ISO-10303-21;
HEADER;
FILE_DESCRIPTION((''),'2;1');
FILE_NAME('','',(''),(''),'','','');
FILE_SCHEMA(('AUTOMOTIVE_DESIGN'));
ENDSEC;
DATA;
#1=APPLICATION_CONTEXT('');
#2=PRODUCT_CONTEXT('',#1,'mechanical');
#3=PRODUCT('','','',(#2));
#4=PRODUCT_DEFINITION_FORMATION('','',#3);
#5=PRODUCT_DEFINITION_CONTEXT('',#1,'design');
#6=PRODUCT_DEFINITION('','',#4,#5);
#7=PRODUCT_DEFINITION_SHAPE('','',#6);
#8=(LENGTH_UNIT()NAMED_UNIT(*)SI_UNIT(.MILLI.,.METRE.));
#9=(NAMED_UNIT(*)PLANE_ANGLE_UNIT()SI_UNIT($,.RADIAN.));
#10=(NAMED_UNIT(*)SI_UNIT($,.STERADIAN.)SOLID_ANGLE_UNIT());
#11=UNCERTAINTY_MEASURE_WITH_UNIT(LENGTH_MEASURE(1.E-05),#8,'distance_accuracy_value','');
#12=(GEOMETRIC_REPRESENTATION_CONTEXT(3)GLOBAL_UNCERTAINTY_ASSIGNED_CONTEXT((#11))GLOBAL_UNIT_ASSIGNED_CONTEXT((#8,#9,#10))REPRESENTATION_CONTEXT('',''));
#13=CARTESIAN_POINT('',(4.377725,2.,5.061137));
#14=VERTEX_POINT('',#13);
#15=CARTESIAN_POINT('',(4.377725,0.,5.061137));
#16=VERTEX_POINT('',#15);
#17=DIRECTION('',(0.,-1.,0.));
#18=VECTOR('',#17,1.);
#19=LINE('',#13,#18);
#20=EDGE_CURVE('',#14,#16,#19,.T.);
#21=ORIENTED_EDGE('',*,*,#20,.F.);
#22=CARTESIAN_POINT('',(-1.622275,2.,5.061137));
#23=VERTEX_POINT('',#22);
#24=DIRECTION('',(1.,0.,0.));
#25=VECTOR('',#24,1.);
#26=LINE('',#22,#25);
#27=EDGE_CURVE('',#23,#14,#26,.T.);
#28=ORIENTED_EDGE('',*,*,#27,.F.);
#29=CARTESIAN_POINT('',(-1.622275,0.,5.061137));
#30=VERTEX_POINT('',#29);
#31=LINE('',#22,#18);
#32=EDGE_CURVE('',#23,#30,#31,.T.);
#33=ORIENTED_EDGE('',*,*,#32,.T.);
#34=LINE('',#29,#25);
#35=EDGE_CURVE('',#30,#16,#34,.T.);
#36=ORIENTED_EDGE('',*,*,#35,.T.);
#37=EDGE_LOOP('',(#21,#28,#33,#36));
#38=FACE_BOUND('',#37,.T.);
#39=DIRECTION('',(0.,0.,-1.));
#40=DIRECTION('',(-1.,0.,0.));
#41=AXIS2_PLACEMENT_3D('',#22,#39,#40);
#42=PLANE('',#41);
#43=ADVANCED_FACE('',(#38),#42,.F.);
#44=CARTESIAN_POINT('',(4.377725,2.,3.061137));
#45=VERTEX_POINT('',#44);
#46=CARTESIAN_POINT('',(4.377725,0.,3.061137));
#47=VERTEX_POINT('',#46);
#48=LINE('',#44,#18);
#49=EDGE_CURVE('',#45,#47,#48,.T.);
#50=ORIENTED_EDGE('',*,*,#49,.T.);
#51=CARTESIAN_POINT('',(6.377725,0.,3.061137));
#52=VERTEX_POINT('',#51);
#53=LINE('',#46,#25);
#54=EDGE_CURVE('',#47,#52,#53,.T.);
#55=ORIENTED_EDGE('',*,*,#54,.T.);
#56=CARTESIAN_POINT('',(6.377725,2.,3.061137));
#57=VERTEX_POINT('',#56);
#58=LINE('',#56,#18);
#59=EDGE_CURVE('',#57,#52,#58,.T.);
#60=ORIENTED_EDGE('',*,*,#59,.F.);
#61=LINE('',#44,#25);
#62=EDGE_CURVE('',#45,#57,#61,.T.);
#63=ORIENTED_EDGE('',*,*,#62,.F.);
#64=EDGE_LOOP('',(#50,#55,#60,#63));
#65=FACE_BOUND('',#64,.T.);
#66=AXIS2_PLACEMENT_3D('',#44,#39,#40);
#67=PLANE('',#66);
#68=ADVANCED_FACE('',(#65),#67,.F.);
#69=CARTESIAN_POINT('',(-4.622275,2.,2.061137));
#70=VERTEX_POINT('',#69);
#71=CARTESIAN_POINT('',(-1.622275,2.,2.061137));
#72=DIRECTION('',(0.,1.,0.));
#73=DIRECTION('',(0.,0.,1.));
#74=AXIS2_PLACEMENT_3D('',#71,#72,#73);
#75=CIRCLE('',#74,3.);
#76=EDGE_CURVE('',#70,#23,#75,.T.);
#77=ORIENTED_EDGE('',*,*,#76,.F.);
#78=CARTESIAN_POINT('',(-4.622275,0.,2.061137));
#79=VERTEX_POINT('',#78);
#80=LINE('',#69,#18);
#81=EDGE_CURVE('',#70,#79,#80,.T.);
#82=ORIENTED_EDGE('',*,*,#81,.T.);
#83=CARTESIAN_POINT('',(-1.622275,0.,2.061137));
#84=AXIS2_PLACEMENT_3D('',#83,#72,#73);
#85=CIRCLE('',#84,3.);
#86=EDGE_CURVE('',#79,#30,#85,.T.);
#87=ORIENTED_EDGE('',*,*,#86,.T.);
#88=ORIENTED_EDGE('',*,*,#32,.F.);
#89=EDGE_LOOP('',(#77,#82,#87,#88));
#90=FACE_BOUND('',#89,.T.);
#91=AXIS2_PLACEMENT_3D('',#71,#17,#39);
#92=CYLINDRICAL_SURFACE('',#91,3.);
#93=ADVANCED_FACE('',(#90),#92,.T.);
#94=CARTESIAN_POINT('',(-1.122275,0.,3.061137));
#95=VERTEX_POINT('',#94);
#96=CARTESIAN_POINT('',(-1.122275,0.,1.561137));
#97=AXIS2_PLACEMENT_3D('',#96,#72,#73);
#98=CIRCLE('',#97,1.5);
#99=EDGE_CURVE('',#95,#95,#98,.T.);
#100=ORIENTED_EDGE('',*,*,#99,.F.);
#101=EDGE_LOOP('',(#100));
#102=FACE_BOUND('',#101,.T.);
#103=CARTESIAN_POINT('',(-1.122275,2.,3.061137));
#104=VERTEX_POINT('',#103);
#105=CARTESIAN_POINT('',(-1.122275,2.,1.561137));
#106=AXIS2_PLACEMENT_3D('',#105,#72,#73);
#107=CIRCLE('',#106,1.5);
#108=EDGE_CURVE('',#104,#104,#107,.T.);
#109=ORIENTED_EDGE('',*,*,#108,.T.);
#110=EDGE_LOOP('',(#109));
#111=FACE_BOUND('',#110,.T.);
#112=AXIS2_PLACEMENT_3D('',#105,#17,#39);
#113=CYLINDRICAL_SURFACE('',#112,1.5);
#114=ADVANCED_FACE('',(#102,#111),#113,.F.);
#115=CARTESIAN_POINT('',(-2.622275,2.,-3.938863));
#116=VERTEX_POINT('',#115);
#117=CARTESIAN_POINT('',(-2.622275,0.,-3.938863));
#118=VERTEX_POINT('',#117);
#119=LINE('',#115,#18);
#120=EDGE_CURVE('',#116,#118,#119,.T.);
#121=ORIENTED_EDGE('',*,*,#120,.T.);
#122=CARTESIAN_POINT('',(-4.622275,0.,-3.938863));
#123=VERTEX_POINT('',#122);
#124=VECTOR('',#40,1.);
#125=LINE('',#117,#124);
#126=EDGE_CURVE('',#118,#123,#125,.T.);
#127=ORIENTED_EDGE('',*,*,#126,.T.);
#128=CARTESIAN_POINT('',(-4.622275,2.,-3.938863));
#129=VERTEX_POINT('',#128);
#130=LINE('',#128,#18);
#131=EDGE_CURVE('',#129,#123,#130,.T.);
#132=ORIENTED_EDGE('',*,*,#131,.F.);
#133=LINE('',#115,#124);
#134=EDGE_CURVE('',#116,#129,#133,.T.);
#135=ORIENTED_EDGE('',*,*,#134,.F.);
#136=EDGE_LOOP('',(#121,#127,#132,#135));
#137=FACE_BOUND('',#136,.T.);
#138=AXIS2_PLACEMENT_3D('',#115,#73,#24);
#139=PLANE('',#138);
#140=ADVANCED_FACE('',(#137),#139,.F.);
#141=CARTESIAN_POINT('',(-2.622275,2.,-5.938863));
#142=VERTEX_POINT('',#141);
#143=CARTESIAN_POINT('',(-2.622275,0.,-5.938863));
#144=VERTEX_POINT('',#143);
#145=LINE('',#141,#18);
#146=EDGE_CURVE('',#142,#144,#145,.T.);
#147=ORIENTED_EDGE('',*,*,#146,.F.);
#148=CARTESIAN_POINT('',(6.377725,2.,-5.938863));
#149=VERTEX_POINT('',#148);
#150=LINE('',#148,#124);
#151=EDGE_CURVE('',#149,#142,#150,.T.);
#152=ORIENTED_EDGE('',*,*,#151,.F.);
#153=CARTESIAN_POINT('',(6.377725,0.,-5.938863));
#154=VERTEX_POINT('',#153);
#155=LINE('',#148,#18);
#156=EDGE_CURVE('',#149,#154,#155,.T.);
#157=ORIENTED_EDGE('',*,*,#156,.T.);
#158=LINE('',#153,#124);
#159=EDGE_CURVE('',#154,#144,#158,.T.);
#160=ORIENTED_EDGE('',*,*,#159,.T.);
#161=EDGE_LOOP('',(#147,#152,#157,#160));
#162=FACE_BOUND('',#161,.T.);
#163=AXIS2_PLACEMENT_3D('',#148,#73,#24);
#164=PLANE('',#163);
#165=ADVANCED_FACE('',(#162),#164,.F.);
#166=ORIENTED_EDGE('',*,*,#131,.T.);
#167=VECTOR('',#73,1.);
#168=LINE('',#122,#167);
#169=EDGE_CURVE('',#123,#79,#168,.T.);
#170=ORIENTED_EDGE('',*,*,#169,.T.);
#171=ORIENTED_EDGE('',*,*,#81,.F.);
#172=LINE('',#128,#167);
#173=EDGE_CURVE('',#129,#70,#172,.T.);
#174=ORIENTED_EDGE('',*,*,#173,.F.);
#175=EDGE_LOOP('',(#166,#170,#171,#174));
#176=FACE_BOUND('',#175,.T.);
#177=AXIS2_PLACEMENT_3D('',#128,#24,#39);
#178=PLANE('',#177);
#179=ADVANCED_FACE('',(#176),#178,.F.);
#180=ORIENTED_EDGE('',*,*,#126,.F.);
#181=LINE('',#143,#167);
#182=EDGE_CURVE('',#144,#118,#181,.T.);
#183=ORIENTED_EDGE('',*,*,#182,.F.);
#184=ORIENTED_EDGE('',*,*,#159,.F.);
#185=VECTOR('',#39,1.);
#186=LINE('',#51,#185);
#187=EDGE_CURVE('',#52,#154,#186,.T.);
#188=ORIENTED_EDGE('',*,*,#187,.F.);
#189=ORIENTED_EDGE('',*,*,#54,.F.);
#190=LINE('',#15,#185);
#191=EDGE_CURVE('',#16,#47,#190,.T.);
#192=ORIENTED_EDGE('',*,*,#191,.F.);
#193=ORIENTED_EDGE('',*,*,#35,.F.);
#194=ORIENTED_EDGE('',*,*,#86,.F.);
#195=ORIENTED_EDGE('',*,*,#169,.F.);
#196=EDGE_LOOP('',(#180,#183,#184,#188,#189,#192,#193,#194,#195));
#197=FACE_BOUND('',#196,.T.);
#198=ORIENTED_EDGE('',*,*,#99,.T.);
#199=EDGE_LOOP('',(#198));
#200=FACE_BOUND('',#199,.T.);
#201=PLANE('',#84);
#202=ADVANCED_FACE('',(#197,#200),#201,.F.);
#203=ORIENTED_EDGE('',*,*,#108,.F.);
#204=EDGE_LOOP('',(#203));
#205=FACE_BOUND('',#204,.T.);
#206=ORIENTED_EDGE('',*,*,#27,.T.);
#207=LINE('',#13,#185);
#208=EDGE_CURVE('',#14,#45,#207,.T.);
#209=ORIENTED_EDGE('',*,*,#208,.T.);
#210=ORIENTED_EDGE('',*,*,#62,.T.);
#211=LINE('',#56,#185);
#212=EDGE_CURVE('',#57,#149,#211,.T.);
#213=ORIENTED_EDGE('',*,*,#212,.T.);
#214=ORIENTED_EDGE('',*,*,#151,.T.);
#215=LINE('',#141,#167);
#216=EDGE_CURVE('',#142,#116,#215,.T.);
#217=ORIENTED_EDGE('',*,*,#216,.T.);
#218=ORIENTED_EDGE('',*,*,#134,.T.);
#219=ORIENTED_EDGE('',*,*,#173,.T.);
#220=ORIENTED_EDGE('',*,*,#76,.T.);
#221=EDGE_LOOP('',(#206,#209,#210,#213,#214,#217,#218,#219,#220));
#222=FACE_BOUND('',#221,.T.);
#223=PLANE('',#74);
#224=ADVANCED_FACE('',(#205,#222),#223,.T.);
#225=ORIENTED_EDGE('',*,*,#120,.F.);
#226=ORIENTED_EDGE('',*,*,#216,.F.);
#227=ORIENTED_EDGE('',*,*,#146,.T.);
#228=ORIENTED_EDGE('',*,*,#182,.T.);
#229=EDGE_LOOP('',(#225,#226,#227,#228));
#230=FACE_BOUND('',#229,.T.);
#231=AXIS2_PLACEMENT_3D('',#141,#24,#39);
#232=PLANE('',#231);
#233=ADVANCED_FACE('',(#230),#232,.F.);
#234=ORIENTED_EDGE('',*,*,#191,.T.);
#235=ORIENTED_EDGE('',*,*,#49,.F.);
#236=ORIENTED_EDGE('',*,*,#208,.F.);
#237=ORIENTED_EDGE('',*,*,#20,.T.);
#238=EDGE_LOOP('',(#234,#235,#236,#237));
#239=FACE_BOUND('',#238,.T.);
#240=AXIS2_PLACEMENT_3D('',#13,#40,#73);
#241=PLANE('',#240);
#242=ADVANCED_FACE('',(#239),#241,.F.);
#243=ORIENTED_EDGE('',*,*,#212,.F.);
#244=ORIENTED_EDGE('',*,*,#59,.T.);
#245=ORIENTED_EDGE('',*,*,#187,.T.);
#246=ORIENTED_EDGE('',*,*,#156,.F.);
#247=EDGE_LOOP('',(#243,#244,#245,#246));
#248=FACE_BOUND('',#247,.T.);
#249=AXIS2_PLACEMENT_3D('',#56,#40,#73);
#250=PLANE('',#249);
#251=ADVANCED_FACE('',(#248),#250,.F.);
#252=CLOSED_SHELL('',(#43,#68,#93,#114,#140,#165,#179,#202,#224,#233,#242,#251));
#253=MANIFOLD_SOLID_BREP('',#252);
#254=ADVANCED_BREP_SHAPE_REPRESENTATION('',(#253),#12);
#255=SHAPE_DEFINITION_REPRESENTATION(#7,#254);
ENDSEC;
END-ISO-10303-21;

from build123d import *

# Parameters (mm, degrees)
SKETCH1_R           = 1.5
BOSS_EXTRUDE1_DEPTH = 2


with BuildPart() as part:
    # Sketch1 → Boss-Extrude1 (new body)
    with BuildSketch(Plane(origin=(0, 0, 0), x_dir=(1, 0, 0), z_dir=(0, 1, 0))):
        with BuildLine():
            Line((6.37772525, 5.938862625), (-2.62227475, 5.938862625))
            Line((-2.62227475, 5.938862625), (-2.62227475, 3.938862625))
            Line((-2.62227475, 3.938862625), (-4.62227475, 3.938862625))
            Line((-4.62227475, 3.938862625), (-4.62227475, -2.061137375))
            ThreePointArc((-4.62227475, -2.061137375), (-3.743595093, -4.182457719), (-1.62227475, -5.061137375))
            Line((-1.62227475, -5.061137375), (4.37772525, -5.061137375))
            Line((4.37772525, -5.061137375), (4.37772525, -3.061137375))
            Line((4.37772525, -3.061137375), (6.37772525, -3.061137375))
            Line((6.37772525, -3.061137375), (6.37772525, 5.938862625))
        make_face()
        with Locations((-1.12227475, -1.561137375)):
            Circle(SKETCH1_R, mode=Mode.SUBTRACT)
    extrude(amount=BOSS_EXTRUDE1_DEPTH)


solid = part.part
